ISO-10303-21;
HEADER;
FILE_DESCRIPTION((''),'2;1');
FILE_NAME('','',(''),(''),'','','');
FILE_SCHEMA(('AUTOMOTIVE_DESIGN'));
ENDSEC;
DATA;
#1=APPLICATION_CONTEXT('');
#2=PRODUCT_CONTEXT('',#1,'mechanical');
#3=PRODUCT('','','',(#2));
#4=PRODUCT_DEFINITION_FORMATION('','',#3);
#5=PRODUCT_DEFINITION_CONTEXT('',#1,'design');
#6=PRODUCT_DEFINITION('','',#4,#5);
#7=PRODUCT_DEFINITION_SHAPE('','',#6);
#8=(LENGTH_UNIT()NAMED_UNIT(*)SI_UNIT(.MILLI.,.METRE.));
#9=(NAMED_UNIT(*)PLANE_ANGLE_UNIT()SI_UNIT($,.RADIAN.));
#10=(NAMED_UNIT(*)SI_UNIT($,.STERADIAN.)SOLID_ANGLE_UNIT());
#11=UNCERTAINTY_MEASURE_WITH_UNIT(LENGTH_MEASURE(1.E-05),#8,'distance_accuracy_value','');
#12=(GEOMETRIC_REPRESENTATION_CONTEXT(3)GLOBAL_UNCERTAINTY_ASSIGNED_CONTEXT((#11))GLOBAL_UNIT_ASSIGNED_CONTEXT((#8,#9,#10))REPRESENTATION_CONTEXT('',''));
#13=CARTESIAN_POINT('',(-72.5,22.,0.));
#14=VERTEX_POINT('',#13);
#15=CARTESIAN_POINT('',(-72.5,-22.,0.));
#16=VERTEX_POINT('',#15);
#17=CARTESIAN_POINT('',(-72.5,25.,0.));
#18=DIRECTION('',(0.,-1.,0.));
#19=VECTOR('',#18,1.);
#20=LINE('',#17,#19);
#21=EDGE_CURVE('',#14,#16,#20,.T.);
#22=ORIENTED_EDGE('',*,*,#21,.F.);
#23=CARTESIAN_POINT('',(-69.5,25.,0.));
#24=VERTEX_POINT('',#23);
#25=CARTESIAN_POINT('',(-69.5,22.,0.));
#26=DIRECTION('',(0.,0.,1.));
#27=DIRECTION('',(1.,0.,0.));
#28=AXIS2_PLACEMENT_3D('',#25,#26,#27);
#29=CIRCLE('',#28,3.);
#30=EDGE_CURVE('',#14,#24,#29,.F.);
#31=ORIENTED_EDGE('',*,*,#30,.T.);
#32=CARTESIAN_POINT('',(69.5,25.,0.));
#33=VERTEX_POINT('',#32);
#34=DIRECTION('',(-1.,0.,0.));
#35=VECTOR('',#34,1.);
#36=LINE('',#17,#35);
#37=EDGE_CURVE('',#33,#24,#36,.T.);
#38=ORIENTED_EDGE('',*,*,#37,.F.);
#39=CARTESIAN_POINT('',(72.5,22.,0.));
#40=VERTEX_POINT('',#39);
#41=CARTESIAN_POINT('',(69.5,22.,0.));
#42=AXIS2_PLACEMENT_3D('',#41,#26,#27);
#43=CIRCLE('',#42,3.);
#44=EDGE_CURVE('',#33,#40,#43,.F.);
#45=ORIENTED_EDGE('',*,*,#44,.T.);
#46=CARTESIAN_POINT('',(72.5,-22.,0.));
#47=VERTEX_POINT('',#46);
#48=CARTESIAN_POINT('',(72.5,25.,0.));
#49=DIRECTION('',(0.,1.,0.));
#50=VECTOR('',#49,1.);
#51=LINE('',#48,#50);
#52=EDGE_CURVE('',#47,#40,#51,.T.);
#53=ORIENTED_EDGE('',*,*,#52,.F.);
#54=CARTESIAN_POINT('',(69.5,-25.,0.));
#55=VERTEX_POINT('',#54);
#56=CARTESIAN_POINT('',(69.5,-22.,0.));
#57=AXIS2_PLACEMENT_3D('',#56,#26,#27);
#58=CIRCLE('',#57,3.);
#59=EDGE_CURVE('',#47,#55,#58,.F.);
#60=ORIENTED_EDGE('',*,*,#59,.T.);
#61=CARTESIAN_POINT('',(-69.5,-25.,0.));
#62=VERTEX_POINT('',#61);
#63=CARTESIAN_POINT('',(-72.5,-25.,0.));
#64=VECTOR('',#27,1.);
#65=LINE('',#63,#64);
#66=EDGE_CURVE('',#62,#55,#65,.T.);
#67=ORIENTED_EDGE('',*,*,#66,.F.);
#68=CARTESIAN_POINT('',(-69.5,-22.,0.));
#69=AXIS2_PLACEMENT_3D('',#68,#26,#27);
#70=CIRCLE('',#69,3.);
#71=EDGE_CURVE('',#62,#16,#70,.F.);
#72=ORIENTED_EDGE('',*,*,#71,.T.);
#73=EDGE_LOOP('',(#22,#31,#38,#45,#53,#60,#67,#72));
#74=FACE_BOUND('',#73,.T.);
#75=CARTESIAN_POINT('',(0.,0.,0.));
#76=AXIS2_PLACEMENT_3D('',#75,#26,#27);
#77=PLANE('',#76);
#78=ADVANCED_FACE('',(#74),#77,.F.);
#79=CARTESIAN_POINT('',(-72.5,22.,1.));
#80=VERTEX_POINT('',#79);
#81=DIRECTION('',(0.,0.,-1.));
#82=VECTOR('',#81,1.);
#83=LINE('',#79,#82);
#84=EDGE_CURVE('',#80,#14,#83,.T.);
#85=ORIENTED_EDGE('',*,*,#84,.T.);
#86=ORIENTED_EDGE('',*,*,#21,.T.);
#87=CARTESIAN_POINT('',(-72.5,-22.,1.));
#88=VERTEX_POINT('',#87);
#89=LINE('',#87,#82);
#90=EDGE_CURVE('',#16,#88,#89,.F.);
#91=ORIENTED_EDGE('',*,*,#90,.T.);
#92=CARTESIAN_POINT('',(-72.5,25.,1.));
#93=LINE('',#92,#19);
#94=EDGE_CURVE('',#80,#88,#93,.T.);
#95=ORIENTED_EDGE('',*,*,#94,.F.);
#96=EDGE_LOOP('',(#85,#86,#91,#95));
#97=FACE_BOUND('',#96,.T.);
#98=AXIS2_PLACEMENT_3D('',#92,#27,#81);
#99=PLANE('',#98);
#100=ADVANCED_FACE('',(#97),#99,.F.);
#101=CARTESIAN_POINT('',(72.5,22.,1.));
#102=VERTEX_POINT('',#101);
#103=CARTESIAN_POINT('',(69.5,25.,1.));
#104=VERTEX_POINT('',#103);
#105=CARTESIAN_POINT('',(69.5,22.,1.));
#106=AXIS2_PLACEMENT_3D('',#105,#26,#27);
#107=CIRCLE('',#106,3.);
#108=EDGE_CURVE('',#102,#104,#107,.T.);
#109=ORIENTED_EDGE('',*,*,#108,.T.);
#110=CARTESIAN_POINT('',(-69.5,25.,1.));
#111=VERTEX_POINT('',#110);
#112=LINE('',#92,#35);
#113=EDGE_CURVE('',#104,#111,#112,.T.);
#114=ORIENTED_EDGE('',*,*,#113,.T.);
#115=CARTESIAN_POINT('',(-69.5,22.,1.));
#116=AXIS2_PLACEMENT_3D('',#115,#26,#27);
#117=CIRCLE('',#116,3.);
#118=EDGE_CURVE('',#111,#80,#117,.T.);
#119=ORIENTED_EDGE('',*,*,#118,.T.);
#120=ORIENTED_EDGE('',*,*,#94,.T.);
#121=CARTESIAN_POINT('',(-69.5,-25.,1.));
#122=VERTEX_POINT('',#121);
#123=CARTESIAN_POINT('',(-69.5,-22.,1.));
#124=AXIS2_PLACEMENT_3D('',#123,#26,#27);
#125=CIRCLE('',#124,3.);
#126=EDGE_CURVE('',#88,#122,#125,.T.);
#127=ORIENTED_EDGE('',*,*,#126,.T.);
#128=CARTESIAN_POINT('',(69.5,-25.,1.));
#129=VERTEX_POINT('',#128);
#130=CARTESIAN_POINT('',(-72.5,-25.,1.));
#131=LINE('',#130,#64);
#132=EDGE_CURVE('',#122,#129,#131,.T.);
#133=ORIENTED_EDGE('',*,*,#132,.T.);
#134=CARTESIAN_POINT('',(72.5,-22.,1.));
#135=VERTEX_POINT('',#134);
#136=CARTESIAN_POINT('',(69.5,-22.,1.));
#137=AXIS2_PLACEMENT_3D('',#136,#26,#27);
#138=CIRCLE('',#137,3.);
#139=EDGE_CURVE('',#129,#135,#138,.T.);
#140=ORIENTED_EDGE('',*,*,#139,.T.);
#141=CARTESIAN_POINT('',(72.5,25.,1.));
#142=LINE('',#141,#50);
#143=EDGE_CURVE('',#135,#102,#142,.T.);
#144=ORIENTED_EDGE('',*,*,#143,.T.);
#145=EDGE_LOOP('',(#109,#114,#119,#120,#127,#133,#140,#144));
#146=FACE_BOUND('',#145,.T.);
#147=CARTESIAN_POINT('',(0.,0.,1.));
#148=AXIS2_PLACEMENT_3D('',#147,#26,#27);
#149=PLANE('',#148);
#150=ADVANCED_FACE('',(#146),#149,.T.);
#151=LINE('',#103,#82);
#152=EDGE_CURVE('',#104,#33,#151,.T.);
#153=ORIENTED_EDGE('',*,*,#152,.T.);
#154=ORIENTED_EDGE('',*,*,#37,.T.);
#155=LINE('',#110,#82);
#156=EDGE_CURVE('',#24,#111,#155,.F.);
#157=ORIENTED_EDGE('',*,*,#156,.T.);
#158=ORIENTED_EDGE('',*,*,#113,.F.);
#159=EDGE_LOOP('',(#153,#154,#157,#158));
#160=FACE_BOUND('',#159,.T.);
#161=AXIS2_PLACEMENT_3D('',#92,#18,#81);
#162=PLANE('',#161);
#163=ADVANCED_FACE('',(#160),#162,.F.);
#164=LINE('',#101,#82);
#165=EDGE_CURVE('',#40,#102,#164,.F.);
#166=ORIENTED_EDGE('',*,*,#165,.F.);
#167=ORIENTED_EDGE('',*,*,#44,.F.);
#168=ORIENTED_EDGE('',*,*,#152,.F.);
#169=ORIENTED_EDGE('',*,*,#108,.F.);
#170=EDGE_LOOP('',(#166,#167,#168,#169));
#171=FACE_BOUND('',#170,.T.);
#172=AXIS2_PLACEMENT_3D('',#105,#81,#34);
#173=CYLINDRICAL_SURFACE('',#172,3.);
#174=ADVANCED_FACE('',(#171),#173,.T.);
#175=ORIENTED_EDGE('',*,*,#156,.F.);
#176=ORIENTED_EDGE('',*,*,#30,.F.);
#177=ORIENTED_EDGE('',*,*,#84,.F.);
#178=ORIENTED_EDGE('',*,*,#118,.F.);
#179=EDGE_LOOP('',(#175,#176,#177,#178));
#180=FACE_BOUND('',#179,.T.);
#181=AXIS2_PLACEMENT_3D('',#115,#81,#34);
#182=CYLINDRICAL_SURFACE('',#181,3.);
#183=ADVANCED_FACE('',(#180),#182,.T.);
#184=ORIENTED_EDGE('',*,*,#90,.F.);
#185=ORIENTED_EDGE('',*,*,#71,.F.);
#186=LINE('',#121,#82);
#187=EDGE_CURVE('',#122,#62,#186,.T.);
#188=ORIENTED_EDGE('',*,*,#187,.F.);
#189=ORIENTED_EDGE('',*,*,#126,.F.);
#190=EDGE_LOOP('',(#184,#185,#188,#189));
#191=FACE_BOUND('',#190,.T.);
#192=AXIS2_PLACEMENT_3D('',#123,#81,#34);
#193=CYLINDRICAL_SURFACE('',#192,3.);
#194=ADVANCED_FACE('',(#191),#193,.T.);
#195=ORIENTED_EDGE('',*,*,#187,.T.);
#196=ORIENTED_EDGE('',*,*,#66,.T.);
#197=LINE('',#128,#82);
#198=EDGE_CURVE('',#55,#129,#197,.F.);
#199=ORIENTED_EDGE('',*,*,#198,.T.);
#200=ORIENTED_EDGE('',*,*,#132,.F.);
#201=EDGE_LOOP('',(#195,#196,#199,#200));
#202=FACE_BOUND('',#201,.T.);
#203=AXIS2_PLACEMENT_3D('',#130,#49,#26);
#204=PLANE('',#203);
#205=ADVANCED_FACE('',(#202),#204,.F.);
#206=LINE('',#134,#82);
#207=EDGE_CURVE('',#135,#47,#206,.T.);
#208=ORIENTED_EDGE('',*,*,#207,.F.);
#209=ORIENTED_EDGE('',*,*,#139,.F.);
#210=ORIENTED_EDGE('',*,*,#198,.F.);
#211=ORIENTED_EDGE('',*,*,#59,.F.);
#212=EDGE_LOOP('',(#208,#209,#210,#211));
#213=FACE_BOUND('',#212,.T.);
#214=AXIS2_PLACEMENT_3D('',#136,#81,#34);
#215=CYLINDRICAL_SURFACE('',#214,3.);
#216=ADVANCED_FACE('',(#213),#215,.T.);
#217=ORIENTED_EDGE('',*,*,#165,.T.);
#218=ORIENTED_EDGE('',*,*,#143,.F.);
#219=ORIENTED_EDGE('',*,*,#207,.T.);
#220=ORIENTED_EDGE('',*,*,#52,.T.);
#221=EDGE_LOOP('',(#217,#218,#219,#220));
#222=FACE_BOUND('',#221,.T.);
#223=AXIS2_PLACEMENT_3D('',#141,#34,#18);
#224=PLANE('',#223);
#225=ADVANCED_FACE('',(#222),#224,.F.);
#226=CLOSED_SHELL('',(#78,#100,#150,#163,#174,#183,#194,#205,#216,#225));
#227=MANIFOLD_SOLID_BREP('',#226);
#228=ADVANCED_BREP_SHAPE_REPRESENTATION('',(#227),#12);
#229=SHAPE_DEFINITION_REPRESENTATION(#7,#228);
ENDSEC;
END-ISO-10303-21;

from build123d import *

# Parameters (mm, degrees)
SKETCH_1_W      = 145
SKETCH_1_H      = 50
EXTRUDE_1_DEPTH = 1
FILLET_1_R      = 3


with BuildPart() as part:
    # 草图1 → 凸台-拉伸1 (new body)
    with BuildSketch(Plane.XY):
        Rectangle(SKETCH_1_W, SKETCH_1_H)
    extrude(amount=EXTRUDE_1_DEPTH)

    # 圆角1
    fillet_1_edges = [part.edges().sort_by_distance(p)[0] for p in [
        (72.5, -25, 0.5),
        (-72.5, -25, 0.5),
        (-72.5, 25, 0.5),
        (72.5, 25, 0.5),
    ]]
    fillet(fillet_1_edges, radius=FILLET_1_R)


solid = part.part
